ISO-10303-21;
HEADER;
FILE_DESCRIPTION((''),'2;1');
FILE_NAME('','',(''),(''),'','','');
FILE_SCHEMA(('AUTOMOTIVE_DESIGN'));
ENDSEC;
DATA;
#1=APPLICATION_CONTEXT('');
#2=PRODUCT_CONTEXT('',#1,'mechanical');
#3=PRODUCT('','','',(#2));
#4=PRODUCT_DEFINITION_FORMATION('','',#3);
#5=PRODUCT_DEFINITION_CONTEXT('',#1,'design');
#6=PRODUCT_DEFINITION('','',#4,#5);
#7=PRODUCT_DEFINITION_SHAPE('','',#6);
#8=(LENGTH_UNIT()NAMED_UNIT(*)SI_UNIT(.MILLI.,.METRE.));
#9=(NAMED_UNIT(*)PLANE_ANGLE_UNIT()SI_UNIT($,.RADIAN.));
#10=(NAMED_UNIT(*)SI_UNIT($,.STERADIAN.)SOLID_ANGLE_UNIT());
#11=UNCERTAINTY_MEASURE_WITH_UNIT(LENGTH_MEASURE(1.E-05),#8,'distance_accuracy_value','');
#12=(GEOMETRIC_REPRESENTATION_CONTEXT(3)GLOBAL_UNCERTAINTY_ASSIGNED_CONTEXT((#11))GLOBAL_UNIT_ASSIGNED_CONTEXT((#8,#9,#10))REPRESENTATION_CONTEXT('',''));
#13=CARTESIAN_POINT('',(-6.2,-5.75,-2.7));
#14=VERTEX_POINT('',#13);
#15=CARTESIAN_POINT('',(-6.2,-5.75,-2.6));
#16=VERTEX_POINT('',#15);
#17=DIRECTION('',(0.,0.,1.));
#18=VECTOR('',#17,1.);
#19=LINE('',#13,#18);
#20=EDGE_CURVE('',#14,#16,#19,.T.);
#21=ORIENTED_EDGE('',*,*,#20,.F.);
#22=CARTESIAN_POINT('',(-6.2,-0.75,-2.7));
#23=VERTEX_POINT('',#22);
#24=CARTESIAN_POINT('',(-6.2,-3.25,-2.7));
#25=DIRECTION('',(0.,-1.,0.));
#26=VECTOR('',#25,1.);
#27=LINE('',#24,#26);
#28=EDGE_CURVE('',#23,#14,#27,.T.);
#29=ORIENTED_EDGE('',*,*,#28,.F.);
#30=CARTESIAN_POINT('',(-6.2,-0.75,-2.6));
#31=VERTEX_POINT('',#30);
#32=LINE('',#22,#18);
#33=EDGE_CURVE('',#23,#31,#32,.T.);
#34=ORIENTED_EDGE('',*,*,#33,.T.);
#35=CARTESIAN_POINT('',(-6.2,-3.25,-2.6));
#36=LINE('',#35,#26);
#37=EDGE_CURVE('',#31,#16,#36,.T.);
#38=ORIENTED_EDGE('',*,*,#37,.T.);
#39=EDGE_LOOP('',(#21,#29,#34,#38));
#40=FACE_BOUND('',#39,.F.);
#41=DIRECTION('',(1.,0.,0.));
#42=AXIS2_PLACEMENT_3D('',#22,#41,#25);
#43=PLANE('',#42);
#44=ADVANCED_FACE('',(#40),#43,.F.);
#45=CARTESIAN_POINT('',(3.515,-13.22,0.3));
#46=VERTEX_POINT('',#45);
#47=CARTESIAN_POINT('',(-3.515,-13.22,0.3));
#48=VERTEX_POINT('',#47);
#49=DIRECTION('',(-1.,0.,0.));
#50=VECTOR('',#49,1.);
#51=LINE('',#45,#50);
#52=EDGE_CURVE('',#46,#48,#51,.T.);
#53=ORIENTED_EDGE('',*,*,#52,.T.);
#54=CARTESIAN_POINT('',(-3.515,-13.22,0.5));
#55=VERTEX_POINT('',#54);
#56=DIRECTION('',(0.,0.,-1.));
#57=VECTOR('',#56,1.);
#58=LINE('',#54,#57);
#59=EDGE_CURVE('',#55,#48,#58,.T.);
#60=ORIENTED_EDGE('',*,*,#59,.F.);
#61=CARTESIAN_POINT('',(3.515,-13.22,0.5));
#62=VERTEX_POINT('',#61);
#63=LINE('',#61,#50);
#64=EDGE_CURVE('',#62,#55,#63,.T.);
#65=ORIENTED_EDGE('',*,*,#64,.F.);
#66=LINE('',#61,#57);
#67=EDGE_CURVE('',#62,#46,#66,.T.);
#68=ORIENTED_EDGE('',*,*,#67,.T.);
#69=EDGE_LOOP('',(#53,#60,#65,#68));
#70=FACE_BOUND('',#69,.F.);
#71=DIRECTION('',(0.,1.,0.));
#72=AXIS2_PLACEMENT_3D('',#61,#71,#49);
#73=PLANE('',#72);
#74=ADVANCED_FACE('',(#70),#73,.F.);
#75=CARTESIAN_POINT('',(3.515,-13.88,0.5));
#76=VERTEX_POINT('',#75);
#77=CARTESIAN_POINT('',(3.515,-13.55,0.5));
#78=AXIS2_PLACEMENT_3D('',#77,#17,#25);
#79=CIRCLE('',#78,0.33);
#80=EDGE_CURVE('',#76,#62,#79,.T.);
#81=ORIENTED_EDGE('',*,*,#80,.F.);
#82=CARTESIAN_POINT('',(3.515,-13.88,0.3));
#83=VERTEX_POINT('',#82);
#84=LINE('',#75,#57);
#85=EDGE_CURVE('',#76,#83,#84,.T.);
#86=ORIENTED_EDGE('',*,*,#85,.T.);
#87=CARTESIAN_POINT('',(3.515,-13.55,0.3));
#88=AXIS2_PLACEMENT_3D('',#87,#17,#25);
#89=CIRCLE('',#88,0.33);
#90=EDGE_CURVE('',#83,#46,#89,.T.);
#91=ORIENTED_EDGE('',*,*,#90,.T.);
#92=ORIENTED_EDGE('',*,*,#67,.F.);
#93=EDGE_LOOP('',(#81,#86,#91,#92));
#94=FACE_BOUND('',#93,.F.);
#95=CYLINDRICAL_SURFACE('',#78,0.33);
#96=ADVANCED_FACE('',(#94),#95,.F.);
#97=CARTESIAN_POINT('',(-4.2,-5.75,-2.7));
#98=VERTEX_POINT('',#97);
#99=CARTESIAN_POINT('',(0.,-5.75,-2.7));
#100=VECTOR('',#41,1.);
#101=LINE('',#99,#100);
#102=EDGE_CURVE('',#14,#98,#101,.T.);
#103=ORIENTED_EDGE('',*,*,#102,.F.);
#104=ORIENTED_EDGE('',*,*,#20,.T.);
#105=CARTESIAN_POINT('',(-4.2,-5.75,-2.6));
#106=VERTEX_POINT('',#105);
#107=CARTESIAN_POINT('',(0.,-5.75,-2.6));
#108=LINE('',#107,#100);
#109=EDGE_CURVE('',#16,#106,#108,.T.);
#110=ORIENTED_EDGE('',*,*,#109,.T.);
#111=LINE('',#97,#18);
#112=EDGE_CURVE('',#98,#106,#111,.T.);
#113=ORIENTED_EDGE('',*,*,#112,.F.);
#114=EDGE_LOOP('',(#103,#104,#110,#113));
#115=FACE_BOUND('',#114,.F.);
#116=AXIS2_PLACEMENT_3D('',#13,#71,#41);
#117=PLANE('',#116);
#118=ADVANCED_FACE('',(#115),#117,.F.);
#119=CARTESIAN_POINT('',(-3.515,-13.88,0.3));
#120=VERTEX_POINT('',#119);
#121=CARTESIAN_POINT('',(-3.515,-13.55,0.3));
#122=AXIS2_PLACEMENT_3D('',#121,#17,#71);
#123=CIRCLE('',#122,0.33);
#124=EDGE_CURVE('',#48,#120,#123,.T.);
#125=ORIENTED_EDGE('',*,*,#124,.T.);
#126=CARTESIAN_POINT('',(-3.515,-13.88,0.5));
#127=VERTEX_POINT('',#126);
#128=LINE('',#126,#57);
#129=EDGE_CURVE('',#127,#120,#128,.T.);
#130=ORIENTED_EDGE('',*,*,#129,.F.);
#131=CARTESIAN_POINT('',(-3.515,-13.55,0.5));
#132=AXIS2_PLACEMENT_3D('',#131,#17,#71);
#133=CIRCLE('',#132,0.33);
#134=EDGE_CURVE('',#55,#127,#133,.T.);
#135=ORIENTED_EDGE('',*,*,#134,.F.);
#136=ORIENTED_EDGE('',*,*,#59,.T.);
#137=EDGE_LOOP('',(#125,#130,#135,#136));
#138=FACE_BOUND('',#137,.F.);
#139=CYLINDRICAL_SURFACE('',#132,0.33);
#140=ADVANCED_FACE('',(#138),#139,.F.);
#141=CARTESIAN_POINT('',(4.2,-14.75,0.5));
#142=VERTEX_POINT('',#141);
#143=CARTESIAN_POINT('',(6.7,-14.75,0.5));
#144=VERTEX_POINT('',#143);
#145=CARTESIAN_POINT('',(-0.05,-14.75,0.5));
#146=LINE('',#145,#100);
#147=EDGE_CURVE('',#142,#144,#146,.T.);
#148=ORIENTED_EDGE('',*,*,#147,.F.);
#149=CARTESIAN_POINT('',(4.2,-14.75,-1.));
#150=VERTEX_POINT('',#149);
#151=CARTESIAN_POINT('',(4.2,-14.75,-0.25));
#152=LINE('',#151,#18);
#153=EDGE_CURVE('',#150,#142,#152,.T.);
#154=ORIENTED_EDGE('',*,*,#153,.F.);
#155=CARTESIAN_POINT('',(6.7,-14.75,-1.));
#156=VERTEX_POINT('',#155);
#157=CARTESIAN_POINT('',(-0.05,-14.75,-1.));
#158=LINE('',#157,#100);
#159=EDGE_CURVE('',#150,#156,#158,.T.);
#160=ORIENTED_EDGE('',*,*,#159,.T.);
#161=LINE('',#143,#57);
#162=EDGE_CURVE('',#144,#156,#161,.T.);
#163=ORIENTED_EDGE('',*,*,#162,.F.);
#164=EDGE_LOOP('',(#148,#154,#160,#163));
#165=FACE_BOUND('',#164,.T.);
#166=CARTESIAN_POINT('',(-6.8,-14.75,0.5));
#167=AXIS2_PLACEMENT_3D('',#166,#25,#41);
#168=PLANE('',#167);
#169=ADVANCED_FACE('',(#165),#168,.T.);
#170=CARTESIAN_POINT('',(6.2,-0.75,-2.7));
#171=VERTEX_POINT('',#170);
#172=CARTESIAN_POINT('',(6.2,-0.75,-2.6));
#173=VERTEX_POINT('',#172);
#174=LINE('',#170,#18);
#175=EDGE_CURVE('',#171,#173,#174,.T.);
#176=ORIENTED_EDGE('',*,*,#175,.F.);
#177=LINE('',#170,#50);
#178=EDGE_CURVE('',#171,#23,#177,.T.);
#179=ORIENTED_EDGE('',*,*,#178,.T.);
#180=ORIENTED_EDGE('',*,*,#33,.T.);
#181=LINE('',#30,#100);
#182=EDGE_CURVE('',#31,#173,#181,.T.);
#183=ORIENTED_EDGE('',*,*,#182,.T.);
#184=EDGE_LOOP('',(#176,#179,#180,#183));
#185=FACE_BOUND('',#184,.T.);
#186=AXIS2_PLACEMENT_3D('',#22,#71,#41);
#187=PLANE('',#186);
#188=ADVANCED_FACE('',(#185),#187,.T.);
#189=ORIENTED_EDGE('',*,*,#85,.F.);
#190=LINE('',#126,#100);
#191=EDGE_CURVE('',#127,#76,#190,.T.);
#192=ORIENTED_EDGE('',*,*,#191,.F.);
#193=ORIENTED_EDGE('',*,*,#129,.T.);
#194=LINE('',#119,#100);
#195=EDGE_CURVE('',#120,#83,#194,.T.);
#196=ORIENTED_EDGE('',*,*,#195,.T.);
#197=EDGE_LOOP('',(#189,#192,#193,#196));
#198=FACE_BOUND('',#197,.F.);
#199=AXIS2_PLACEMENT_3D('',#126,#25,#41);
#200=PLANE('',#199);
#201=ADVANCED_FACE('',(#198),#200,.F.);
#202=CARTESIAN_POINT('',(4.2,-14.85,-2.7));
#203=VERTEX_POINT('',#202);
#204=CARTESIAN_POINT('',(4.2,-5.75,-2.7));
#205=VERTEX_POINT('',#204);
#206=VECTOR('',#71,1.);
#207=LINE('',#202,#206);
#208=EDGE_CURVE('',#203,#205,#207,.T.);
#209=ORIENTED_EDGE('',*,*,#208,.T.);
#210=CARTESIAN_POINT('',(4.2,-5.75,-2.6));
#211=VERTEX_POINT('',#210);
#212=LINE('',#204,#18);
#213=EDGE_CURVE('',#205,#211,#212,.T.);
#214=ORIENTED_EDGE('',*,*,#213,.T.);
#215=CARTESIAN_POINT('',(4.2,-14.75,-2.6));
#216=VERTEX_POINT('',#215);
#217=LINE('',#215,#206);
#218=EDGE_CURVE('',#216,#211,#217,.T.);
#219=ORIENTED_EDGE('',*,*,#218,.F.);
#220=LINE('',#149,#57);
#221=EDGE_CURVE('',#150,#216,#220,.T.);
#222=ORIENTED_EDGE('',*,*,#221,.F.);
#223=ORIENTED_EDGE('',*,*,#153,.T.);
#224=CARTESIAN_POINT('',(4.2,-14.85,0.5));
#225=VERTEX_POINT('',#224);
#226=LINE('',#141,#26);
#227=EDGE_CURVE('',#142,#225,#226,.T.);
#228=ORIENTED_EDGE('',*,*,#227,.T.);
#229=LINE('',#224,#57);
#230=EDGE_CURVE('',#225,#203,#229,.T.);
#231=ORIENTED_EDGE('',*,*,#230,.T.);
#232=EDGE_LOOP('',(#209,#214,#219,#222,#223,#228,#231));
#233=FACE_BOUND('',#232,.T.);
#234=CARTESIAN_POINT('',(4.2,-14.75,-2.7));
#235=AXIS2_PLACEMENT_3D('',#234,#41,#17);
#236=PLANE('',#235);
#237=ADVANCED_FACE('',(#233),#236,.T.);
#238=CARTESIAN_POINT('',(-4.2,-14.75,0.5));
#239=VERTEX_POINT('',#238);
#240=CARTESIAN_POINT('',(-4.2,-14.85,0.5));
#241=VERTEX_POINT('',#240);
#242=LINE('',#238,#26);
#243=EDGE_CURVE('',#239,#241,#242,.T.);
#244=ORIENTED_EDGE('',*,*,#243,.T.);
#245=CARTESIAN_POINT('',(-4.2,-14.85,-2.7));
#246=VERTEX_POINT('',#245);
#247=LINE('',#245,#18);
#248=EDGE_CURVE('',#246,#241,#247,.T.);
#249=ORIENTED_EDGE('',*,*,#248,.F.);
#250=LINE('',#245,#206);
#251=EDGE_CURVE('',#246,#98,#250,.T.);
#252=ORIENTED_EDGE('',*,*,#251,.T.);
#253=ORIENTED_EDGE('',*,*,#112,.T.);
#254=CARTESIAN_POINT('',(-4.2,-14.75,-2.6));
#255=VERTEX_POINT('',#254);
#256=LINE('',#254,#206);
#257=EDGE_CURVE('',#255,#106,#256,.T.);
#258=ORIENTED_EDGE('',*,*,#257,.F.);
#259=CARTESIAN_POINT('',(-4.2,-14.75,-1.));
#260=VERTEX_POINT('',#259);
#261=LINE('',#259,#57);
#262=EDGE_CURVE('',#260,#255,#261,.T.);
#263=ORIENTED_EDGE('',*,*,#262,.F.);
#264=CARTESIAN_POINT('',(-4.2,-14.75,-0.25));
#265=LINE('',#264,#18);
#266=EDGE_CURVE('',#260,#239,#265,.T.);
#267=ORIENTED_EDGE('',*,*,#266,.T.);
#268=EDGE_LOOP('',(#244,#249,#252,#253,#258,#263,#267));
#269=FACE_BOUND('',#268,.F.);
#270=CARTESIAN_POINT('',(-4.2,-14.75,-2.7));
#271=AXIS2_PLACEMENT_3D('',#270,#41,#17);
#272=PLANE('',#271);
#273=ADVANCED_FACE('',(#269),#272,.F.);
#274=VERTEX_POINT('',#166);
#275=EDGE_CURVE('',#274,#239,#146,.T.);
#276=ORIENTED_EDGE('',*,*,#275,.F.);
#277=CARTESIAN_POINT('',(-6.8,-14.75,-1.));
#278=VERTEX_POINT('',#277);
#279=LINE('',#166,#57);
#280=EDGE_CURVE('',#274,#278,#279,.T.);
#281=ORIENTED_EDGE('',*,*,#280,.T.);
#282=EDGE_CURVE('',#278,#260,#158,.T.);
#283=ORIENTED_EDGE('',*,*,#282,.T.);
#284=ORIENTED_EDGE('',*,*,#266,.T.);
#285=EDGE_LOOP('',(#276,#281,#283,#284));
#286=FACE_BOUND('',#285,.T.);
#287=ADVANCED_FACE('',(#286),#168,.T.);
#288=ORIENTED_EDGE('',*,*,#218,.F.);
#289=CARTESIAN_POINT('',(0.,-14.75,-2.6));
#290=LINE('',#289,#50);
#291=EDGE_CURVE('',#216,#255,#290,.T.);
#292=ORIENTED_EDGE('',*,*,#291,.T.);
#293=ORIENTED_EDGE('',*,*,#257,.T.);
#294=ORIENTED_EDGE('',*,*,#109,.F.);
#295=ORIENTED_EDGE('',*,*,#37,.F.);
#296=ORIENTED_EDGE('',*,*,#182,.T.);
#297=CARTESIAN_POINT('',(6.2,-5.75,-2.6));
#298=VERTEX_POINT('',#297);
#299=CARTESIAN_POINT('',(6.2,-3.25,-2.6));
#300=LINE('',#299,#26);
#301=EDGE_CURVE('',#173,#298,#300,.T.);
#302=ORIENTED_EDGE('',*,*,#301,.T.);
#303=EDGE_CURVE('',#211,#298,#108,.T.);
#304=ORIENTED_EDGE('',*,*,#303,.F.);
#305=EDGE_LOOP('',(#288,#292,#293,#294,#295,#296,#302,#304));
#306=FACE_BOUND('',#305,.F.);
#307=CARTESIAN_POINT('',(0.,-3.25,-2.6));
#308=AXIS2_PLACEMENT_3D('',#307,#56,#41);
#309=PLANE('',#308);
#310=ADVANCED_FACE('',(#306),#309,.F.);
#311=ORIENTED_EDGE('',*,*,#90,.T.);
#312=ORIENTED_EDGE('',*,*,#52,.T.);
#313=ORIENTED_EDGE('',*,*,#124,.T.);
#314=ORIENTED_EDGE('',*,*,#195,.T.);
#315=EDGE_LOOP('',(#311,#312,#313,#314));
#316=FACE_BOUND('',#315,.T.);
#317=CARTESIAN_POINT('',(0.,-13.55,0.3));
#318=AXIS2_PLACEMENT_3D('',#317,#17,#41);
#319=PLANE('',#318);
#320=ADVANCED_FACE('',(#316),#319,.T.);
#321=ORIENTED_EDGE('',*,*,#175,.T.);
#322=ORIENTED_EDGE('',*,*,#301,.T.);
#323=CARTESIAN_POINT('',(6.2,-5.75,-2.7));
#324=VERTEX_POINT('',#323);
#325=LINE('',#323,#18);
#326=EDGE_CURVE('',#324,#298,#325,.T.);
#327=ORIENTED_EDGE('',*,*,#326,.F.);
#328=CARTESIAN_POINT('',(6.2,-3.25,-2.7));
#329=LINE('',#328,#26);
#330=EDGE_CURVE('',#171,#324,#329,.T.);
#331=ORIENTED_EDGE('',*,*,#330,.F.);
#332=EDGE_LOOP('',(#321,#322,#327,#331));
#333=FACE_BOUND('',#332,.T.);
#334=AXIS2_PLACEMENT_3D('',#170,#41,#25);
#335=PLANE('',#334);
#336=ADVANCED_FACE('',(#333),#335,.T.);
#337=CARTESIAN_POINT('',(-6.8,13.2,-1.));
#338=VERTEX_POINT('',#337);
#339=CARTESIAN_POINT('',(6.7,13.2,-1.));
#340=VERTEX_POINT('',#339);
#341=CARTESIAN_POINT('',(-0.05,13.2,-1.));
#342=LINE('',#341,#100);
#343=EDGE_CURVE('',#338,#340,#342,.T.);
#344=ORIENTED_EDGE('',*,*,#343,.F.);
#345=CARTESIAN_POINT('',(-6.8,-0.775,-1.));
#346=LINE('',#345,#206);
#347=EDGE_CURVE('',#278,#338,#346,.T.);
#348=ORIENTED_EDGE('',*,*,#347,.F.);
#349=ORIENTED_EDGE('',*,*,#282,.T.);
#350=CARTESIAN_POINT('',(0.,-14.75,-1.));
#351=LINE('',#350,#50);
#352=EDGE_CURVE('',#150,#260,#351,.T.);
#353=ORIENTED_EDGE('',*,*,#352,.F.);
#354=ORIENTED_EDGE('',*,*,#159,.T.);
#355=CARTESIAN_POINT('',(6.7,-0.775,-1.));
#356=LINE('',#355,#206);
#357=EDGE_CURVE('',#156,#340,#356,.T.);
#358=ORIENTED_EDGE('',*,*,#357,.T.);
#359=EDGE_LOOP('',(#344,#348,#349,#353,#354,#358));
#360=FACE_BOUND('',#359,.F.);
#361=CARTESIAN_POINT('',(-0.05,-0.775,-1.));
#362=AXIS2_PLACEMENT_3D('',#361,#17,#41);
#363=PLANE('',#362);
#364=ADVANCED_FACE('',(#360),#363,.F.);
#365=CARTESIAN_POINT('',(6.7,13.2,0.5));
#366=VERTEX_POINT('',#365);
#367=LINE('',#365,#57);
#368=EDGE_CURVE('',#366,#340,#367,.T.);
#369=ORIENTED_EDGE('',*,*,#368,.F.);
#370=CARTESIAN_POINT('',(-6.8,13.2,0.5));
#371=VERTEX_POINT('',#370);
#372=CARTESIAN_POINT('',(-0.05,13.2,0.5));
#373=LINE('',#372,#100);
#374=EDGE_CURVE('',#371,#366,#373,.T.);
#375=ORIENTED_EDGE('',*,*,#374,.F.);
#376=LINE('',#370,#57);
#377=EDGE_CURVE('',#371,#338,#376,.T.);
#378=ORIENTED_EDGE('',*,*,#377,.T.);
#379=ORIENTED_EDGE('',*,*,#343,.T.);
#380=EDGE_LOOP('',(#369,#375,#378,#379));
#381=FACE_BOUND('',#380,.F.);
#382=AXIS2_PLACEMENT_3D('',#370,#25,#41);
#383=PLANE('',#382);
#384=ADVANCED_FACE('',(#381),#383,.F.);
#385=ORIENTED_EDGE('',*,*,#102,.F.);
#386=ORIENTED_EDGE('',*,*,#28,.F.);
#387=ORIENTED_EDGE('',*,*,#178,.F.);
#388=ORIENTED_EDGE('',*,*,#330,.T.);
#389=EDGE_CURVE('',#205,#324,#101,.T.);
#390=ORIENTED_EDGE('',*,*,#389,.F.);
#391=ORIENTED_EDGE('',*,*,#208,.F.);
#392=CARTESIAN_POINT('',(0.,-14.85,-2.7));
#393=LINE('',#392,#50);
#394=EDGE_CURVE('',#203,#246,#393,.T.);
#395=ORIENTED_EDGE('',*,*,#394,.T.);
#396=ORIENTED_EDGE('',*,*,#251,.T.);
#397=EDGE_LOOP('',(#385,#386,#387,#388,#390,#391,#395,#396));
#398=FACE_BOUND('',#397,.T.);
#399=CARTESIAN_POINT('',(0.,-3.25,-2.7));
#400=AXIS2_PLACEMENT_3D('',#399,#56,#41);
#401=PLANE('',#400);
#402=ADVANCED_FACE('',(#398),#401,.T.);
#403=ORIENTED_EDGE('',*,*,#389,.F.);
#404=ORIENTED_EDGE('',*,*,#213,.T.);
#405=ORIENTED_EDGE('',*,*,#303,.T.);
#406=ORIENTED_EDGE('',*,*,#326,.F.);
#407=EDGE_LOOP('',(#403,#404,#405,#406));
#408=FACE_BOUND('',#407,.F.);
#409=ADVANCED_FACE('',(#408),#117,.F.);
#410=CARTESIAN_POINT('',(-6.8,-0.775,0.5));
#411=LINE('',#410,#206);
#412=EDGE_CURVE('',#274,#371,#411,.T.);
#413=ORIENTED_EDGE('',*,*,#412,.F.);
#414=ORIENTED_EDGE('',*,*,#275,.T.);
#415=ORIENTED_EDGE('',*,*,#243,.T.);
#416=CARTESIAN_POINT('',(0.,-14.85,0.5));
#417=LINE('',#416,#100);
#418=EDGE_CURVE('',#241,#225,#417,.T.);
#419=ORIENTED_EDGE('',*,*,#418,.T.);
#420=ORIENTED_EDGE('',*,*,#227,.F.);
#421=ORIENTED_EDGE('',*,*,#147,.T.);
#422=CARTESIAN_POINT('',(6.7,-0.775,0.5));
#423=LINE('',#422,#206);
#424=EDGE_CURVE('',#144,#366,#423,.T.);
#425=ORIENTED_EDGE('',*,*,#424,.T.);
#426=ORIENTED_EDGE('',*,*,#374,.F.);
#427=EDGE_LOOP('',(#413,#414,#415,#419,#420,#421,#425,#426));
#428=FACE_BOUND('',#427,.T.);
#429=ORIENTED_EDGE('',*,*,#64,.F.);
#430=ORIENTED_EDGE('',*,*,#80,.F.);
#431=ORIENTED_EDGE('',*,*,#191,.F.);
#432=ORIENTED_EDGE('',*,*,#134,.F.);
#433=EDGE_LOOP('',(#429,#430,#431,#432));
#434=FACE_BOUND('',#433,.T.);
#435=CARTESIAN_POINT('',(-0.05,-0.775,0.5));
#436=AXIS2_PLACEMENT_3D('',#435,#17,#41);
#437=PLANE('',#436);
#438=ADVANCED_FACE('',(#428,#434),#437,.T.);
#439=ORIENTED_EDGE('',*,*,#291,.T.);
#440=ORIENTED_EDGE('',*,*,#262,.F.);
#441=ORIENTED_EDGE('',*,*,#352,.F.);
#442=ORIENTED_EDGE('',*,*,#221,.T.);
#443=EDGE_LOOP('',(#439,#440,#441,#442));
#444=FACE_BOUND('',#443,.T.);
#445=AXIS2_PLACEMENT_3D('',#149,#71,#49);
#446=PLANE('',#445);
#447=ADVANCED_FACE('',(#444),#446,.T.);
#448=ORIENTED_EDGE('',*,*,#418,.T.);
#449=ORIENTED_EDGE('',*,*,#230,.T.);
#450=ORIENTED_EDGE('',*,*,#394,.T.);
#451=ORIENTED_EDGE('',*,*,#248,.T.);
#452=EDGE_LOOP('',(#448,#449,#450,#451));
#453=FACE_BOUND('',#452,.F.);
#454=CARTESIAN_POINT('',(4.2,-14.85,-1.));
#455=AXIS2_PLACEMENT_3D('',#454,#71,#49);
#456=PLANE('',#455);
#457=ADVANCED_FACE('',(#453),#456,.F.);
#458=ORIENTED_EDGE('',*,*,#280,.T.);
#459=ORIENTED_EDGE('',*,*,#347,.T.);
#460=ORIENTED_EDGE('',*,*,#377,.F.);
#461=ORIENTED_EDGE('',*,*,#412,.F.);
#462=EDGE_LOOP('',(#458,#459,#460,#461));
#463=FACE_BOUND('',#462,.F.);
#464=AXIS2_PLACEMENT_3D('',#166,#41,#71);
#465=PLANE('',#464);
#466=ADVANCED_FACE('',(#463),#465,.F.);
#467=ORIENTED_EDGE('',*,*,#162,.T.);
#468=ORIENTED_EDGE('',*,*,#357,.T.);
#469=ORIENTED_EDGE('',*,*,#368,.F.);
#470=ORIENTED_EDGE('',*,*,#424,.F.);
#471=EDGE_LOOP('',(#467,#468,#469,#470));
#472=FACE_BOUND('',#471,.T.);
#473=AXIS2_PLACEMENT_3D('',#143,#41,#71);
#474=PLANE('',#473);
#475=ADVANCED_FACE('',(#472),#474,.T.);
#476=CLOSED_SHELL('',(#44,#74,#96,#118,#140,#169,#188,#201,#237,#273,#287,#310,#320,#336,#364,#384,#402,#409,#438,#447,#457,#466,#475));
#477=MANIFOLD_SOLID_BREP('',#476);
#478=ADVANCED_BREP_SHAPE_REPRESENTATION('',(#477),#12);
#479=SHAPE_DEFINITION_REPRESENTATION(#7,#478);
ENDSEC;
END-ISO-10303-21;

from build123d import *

# Parameters (mm, degrees)
SKETCH_W        = 10.8
SKETCH_H        = 21.7
PAD_DEPTH       = 0.5
SKETCH001_W     = 12.8
SKETCH001_H     = 24.6
PAD001_DEPTH    = 0.6
SKETCH002_W     = 13.5
SKETCH002_H     = 27.95
PAD002_DEPTH    = 1.5
SKETCH003_W     = 8.4
SKETCH003_H     = 1.5
PAD003_DEPTH    = 0.1
PAD003_FACE10_W = 0.1
PAD003_FACE10_H = 8.4
PAD004_DEPTH    = 1.7
SKETCH005_W     = 8.4
SKETCH005_H     = 0.1
PAD005_DEPTH    = 14
SKETCH006_W     = 12.4
SKETCH006_H     = 5
PAD006_DEPTH    = 0.1
POCKET_DEPTH    = 0.2


with BuildPart() as part:
    # Sketch → Pad (new body)
    with BuildSketch(Plane.XY):
        Rectangle(SKETCH_W, SKETCH_H)
    extrude(amount=PAD_DEPTH)

    # Sketch001 (on Face6 of Pad) → Pad001 (join)
    with BuildSketch(Plane.XY.offset(0.5)):
        Rectangle(SKETCH001_W, SKETCH001_H)
    extrude(amount=-PAD001_DEPTH)

    # Sketch002 (on Face4 of Pad001) → Pad002 (join)
    with BuildSketch(Plane.XY.offset(0.5)):
        with Locations((-0.05, -0.775)):
            Rectangle(SKETCH002_W, SKETCH002_H)
    extrude(amount=-PAD002_DEPTH)

    # Sketch003 (on Face6 of Pad002) → Pad003 (join)
    with BuildSketch(Plane.XZ.offset(14.75)):
        with Locations((0, -0.25)):
            Rectangle(SKETCH003_W, SKETCH003_H)
    extrude(amount=PAD003_DEPTH)

    # Pad003 Face10 → Pad004 (add)
    with BuildSketch(Plane(origin=(0, -14.8, -1), x_dir=(0, -1, 0), z_dir=(0, 0, -1))):
        Rectangle(PAD003_FACE10_W, PAD003_FACE10_H)
    extrude(amount=PAD004_DEPTH)

    # Sketch005 (on Face10 of Pad004) → Pad005 (join)
    with BuildSketch(Plane(origin=(0, -14.75, 0), x_dir=(-1, 0, 0), z_dir=(0, 1, 0))):
        with Locations((0, -2.65)):
            Rectangle(SKETCH005_W, SKETCH005_H)
    extrude(amount=PAD005_DEPTH)

    # Sketch006 (on Face23 of Pad005) → Pad006 (join)
    with BuildSketch(Plane(origin=(0, 0, -2.7), x_dir=(1, 0, 0), z_dir=(0, 0, -1))):
        with Locations((0, 3.25)):
            Rectangle(SKETCH006_W, SKETCH006_H)
    extrude(amount=-PAD006_DEPTH)

    # Sketch007 (on Face4 of Pad006) → Pocket (cut)
    with BuildSketch(Plane.XY.offset(0.5)):
        with BuildLine():
            ThreePointArc((-3.515, -13.22), (-3.845, -13.55), (-3.515, -13.88))
            Line((-3.515, -13.88), (3.515, -13.88))
            ThreePointArc((3.515, -13.88), (3.845, -13.55), (3.515, -13.22))
            Line((3.515, -13.22), (-3.515, -13.22))
        make_face()
    extrude(amount=-POCKET_DEPTH, mode=Mode.SUBTRACT)


solid = part.part
